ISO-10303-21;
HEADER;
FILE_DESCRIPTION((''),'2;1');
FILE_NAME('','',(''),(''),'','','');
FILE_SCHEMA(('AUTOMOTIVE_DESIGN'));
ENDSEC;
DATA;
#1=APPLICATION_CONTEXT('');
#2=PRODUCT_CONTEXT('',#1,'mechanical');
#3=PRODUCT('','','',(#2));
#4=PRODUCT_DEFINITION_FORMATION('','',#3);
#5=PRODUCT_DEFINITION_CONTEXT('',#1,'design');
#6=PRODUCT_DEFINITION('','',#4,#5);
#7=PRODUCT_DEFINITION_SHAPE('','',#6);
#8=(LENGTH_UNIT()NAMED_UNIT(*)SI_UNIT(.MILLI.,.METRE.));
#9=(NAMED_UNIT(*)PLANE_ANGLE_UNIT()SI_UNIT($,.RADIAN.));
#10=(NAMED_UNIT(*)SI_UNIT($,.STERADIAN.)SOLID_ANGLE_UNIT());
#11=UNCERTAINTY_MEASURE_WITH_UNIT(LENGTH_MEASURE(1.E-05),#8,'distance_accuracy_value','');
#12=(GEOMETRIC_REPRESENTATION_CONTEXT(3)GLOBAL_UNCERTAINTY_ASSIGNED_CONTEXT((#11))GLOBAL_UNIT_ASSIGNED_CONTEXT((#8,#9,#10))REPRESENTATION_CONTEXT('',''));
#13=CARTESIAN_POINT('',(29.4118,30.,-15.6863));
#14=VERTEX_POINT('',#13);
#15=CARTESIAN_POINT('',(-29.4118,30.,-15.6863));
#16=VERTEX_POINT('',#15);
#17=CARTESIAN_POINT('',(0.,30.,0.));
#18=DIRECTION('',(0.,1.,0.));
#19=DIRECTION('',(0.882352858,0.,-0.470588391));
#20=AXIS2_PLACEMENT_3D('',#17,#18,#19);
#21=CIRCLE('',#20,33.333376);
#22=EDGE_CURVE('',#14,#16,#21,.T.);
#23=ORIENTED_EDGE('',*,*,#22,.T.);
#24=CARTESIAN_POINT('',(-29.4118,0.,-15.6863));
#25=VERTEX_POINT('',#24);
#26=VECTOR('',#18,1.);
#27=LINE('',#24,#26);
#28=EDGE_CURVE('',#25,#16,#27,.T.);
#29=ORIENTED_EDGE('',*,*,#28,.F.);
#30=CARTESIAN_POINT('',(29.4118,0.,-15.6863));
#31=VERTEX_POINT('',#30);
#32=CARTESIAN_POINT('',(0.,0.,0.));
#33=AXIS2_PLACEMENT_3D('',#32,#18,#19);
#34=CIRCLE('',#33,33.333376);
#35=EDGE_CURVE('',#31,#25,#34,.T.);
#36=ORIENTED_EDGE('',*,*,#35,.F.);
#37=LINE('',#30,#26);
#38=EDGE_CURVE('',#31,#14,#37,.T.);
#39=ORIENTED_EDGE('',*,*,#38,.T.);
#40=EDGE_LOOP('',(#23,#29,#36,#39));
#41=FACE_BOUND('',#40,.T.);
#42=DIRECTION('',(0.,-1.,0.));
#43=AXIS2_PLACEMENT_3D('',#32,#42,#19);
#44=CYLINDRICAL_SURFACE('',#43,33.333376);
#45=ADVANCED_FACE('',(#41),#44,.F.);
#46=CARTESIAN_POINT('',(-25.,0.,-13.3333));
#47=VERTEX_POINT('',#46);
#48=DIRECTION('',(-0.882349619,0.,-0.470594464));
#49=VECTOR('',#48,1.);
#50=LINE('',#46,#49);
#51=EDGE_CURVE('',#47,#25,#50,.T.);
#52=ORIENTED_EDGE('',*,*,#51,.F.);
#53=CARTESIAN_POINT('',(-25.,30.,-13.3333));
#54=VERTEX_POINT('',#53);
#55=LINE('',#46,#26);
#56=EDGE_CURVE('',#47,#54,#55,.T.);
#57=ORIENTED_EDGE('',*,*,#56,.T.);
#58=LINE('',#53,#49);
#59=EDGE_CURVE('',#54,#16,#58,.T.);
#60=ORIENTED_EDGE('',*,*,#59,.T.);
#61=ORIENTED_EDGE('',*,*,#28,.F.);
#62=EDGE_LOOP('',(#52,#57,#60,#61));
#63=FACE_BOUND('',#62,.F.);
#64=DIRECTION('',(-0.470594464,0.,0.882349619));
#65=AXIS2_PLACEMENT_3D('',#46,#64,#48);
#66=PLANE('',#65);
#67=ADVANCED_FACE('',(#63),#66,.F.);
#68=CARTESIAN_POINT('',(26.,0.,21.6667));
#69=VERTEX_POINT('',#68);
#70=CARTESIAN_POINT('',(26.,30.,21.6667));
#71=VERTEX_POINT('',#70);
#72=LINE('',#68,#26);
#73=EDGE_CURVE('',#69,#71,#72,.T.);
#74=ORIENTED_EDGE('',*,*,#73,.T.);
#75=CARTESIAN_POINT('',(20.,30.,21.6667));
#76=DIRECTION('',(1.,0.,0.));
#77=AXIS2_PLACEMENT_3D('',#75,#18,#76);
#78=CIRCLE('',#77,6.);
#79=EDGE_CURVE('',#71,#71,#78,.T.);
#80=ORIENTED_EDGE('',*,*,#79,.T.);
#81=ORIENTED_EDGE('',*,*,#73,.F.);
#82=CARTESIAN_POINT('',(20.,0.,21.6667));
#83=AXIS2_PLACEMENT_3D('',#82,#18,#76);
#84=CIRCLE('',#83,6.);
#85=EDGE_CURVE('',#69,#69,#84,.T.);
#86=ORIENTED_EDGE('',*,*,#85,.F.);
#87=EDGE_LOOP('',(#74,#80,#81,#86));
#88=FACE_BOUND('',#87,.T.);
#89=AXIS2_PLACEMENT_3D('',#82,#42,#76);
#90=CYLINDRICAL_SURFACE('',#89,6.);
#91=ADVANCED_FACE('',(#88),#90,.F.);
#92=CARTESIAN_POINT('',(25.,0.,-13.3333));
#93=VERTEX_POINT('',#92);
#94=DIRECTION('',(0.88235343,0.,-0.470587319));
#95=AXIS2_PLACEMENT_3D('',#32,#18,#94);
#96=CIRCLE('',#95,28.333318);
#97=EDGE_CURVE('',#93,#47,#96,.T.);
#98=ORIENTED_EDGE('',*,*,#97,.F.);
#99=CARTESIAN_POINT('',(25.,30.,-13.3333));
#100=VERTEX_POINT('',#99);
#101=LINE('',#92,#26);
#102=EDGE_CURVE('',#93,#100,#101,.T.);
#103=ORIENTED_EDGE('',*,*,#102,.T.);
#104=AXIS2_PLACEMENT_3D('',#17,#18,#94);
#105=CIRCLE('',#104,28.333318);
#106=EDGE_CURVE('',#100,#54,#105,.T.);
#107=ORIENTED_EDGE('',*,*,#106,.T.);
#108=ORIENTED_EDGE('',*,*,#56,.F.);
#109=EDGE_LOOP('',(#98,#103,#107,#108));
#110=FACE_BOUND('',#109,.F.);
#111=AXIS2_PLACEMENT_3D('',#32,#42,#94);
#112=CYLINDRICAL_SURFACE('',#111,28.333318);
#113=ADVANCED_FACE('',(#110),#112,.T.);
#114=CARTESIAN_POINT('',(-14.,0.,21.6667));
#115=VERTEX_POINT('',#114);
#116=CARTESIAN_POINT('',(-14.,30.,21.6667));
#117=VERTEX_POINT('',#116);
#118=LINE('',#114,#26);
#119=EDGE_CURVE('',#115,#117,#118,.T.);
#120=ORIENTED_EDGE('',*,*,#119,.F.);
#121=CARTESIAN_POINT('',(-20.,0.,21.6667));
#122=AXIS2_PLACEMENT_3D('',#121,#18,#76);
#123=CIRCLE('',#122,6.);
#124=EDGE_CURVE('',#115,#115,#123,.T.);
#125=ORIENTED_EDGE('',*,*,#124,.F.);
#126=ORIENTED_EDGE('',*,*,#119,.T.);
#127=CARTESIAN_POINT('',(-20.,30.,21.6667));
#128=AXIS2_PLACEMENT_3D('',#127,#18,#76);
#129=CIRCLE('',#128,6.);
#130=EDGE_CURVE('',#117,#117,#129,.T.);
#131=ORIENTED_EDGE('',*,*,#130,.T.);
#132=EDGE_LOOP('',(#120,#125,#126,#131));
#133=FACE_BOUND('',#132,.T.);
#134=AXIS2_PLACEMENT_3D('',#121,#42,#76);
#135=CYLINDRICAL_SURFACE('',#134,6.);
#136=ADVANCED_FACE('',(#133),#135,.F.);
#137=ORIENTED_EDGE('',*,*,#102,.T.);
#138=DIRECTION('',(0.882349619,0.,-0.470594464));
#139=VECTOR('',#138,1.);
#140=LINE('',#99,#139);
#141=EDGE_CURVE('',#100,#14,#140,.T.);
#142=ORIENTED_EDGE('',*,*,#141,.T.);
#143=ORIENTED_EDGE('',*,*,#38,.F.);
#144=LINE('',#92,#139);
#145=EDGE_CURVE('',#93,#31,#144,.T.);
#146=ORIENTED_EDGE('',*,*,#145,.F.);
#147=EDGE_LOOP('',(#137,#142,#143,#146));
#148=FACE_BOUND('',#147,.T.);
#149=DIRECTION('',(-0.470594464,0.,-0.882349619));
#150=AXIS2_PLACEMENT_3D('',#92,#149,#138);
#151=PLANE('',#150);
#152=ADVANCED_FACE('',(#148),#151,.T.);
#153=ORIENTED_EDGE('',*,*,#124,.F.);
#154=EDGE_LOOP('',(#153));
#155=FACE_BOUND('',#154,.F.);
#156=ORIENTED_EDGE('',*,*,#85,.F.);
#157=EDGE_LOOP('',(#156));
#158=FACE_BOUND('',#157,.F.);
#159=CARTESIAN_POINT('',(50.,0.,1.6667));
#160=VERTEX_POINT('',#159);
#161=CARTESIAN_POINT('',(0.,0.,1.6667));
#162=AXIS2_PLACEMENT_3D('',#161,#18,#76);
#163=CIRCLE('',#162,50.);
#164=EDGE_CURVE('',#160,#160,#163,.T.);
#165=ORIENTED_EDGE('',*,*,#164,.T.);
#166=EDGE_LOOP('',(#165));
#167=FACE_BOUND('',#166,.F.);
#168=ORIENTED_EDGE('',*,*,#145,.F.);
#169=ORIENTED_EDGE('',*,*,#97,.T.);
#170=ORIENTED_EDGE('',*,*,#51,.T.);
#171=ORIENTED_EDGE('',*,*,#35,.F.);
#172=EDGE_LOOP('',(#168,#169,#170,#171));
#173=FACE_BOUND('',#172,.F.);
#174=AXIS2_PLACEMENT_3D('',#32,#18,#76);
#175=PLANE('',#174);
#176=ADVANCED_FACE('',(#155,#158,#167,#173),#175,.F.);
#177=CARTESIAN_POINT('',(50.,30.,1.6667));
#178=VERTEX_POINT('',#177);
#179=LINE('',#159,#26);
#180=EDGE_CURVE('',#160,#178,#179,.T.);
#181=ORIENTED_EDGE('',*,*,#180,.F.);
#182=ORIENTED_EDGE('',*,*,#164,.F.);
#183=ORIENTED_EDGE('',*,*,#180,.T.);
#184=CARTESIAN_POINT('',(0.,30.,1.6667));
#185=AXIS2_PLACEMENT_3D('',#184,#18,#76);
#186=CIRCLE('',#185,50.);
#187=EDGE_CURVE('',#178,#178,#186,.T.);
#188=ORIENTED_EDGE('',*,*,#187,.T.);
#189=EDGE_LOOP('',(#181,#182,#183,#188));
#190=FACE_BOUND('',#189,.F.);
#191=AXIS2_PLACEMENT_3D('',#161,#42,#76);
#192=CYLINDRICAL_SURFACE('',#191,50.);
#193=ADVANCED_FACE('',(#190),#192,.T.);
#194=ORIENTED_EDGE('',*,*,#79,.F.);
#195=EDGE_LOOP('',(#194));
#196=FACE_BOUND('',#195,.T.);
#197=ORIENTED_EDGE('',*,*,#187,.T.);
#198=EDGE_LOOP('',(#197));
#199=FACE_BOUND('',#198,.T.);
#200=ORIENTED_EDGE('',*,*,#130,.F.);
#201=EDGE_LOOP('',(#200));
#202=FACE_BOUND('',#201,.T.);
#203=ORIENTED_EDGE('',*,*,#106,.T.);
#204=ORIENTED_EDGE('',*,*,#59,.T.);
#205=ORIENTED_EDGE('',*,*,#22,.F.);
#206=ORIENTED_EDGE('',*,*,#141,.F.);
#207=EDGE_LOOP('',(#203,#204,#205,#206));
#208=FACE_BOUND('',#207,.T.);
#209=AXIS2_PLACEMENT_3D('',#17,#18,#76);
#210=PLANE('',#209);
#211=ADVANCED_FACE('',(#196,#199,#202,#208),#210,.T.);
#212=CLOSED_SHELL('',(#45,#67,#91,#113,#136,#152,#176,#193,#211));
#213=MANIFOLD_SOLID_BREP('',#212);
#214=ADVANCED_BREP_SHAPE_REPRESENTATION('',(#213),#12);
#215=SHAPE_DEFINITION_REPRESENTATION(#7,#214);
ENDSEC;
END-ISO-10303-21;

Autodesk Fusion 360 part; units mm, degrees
sketch "Sketch1" plane through (0, 0, 0) normal (0, 1, 0) x (1, 0, 0)
  line L0 (-25, 13.3333) -> (-29.4118, 15.6863)
  line L1 (25, 13.3333) -> (29.4118, 15.6863)
  circle A0 centre (20, -21.6667) radius 6
  arc A1 (29.4118, 15.6863) -> (-29.4118, 15.6863) centre (0, 0) ccw
  circle A2 centre (-20, -21.6667) radius 6
  arc A3 (25, 13.3333) -> (-25, 13.3333) centre (0, 0) ccw
  circle A4 centre (0, -1.6667) radius 50
  line L2 (0, -1.6667) -> (0, -26.6667)
  dimension "d1" = 5
  dimension "d2" = 100
  dimension "d3" = 12
extrude "Extrude1" add sketch "Sketch1" along normal blind 30
